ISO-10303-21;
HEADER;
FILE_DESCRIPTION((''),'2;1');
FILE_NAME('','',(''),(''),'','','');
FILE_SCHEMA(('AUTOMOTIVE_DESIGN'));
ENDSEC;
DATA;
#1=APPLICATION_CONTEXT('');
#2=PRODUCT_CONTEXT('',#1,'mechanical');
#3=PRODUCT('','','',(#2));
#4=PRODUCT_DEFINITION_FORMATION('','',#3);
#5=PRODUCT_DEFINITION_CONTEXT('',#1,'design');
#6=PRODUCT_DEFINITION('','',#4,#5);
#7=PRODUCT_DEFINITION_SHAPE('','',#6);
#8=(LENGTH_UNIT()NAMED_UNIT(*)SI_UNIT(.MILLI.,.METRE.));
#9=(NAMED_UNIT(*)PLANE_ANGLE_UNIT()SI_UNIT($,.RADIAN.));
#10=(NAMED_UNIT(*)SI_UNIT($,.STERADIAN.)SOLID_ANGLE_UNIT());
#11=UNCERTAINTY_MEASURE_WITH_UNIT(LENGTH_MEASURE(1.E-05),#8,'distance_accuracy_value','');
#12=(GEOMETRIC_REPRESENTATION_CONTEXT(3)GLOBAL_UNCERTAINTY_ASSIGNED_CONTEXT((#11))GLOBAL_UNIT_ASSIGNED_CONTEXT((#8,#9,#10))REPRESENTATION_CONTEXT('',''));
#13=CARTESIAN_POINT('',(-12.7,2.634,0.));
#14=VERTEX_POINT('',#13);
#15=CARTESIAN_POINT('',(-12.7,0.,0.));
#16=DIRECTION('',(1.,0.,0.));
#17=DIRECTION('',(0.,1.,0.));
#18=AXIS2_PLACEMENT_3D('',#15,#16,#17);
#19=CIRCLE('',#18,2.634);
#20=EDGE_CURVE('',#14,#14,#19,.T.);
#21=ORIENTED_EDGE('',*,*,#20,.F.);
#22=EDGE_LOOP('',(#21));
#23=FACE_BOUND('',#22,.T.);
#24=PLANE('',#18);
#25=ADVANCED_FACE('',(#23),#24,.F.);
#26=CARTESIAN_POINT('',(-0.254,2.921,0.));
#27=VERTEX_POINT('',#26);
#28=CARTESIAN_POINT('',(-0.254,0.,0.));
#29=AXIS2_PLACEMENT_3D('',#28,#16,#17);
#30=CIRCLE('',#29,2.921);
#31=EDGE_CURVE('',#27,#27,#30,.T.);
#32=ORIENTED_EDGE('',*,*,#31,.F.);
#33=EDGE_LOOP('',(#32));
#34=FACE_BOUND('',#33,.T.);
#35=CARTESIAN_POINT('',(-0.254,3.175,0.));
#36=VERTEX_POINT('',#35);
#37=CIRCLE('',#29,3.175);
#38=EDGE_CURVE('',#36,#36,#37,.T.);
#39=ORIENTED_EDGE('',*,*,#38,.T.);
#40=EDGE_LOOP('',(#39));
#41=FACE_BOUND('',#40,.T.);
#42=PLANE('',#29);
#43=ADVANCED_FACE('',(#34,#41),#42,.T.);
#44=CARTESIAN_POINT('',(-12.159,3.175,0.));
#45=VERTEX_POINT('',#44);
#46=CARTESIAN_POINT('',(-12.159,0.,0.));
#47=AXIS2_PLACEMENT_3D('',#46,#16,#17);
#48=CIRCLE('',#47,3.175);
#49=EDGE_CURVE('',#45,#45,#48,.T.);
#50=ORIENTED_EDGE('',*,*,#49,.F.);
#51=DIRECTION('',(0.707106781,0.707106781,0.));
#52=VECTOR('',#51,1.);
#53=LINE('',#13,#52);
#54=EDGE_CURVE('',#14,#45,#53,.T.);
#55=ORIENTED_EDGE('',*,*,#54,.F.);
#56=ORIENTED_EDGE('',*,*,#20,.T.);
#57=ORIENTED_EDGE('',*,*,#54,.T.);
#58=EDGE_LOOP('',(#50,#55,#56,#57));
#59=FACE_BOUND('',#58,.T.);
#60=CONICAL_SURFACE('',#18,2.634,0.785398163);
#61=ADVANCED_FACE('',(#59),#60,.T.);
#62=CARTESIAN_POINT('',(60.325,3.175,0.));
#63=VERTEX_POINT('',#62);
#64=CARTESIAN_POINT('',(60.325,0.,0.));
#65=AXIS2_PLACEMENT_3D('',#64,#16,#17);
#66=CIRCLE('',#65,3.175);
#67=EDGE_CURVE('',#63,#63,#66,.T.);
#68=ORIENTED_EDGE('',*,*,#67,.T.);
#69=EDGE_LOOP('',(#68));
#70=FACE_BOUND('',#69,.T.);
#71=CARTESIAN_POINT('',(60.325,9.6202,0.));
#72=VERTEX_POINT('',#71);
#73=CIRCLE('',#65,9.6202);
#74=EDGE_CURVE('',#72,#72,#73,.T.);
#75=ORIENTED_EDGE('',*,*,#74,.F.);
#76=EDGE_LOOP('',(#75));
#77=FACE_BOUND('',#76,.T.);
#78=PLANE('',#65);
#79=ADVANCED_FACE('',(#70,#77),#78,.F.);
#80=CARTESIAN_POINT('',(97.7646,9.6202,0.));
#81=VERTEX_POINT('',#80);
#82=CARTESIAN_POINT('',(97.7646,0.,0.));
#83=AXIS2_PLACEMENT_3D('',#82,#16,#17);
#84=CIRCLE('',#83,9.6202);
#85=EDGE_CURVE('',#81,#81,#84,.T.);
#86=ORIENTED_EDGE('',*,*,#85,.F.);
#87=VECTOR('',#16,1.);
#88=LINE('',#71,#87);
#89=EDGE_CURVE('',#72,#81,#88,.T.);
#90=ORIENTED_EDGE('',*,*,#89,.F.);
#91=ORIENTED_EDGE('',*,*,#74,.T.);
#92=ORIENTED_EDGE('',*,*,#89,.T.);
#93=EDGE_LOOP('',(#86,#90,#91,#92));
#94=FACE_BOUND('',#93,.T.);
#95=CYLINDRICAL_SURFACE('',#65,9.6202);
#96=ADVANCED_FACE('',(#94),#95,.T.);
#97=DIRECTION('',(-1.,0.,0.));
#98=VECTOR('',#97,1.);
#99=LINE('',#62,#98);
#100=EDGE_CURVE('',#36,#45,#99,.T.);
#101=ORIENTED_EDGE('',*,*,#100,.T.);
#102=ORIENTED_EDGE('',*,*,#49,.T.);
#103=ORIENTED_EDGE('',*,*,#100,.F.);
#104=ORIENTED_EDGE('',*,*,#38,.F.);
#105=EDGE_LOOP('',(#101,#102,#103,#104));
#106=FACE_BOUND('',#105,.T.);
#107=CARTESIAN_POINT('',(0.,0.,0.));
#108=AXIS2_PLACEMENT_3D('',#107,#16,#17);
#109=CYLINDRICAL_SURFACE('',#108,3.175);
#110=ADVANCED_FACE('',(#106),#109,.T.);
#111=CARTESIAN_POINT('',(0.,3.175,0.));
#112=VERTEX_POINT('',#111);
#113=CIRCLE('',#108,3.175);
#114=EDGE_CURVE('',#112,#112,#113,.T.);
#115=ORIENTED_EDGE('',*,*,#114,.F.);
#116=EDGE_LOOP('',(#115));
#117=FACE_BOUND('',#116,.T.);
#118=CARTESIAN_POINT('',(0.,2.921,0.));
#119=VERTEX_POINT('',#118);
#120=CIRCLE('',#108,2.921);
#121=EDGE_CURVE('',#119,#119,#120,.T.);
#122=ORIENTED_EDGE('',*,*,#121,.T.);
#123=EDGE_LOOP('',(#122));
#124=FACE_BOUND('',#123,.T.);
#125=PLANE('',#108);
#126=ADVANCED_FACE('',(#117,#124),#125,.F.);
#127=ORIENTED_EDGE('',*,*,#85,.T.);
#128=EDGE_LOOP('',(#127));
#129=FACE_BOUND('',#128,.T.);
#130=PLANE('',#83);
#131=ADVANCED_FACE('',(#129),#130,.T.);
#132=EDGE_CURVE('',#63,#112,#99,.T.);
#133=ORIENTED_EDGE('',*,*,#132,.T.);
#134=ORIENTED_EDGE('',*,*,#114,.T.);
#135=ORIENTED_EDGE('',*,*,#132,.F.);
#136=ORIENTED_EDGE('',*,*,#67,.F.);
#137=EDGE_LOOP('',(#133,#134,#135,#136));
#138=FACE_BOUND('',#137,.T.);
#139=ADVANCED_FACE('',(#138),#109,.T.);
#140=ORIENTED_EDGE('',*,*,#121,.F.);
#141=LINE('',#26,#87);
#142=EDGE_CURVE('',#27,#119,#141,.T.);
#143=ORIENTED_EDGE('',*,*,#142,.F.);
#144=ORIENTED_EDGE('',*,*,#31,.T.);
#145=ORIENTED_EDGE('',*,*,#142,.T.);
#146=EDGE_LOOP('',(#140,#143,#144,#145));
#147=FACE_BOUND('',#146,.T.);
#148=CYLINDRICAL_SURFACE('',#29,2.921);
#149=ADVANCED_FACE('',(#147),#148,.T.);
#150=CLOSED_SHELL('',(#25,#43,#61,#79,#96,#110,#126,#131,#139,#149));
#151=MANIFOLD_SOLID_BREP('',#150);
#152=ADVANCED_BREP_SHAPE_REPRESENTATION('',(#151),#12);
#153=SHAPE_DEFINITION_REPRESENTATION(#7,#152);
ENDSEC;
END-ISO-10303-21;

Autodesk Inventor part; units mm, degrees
sketch "Sketch_1" plane through (0, 0, 0) normal (0, 0, 1) x (1, 0, 0)
  line L0 (97.7646, 0) -> (0, 0)
  line L1 (0, 0) -> (0, 3.175)
  line L2 (0, 3.175) -> (60.325, 3.175)
  line L3 (60.325, 3.175) -> (60.325, 9.6202)
  line L4 (60.325, 9.6202) -> (97.7646, 9.6202)
  line L5 (97.7646, 9.6202) -> (97.7646, 0)
  line L6 (97.7646, 0) -> (0, 0)
revolve "Revolution1" add sketch "Sketch_1" angle 360 about axis through (97.7646, 0, 0) along (1, 0, 0)
sketch "Sketch_3" plane through (0, 0, 0) normal (0, 0, 1) x (1, 0, 0)
  line L0 (0, 0) -> (-12.7, 0)
  line L1 (-12.7, 0) -> (-12.7, 2.634)
  line L2 (-12.7, 2.634) -> (-12.159, 3.175)
  line L3 (-12.159, 3.175) -> (0, 3.175)
  line L4 (0, 3.175) -> (0, 0)
  line L5 (0, 0) -> (-12.7, 0)
revolve "Revolution2" add sketch "Sketch_3" angle 360 about axis through (0, 0, 0) along (1, 0, 0)
sketch "Sketch_30" plane through (0, 0, 0) normal (0, 0, 1) x (1, 0, 0)
  line L0 (0, 0) -> (-0.254, 0)
  line L1 (-0.254, 2.921) -> (0, 2.921)
  line L2 (0, 2.921) -> (0, 3.429)
  line L3 (0, 3.429) -> (-0.254, 3.429)
  line L4 (-0.254, 3.429) -> (-0.254, 2.921)
revolve "Revolution3" cut sketch "Sketch_30" angle 360 about axis through (0, 0, 0) along (1, 0, 0)
ref_plane "dia1_XY" through (0, 3.175, 0) normal (1, 0, 0) x (0, 0, -1)
ref_plane "dia1_YZ" through (0, 3.175, 0) normal (0, 0, -1) x (0, 1, 0)
ref_plane "dia1_ZX" through (0, 3.175, 0) normal (0, 1, 0) x (1, 0, 0)
ref_plane "dia12_XY" through (0, 0, 10.2235) normal (1, 0, 0) x (0, 0, -1)
ref_plane "dia12_YZ" through (0, 0, 10.2235) normal (0, 0, -1) x (0, 1, 0)
ref_plane "dia12_ZX" through (0, 0, 10.2235) normal (0, 1, 0) x (1, 0, 0)
ref_plane "dia2_XY" through (0, -3.175, 0) normal (1, 0, 0) x (0, 0, -1)
ref_plane "dia2_YZ" through (0, -3.175, 0) normal (0, 0, -1) x (0, 1, 0)
ref_plane "dia2_ZX" through (0, -3.175, 0) normal (0, 1, 0) x (1, 0, 0)
ref_plane "dia22_XY" through (0, 0, -10.2235) normal (1, 0, 0) x (0, 0, -1)
ref_plane "dia22_YZ" through (0, 0, -10.2235) normal (0, 0, -1) x (0, 1, 0)
ref_plane "dia22_ZX" through (0, 0, -10.2235) normal (0, 1, 0) x (1, 0, 0)
ref_plane "rl1_XY" through (-12.7, 0, 0) normal (1, 0, 0) x (0, 0, -1)
ref_plane "rl1_YZ" through (-12.7, 0, 0) normal (0, 0, -1) x (0, 1, 0)
ref_plane "rl1_ZX" through (-12.7, 0, 0) normal (0, 1, 0) x (1, 0, 0)
ref_plane "rl2_XY" through (0, 0, 0) normal (1, 0, 0) x (0, 0, -1)
ref_plane "rl2_YZ" through (0, 0, 0) normal (0, 0, -1) x (0, 1, 0)
ref_plane "rl2_ZX" through (0, 0, 0) normal (0, 1, 0) x (1, 0, 0)
ref_plane "rod_cp_XY" through (0, 0, 0) normal (1, 0, 0) x (0, 0, -1)
ref_plane "rod_cp_YZ" through (0, 0, 0) normal (0, 0, -1) x (0, 1, 0)
ref_plane "rod_cp_ZX" through (0, 0, 0) normal (0, 1, 0) x (1, 0, 0)
ref_plane "thd1_XY" through (-12.7, 3.175, 0) normal (1, 0, 0) x (0, 0, -1)
ref_plane "thd1_YZ" through (-12.7, 3.175, 0) normal (0, 0, -1) x (0, 1, 0)
ref_plane "thd1_ZX" through (-12.7, 3.175, 0) normal (0, 1, 0) x (1, 0, 0)
ref_plane "thd2_XY" through (-12.7, -3.175, 0) normal (1, 0, 0) x (0, 0, -1)
ref_plane "thd2_YZ" through (-12.7, -3.175, 0) normal (0, 0, -1) x (0, 1, 0)
ref_plane "thd2_ZX" through (-12.7, -3.175, 0) normal (0, 1, 0) x (1, 0, 0)
ref_plane "to_rod_clevis_XY" through (-16.764, 0, 0) normal (1, 0, 0) x (0, 0, -1)
ref_plane "to_rod_clevis_YZ" through (-16.764, 0, 0) normal (0, 0, -1) x (0, 1, 0)
ref_plane "to_rod_clevis_ZX" through (-16.764, 0, 0) normal (0, 1, 0) x (1, 0, 0)
properties part number "C-041.50000_rod"
